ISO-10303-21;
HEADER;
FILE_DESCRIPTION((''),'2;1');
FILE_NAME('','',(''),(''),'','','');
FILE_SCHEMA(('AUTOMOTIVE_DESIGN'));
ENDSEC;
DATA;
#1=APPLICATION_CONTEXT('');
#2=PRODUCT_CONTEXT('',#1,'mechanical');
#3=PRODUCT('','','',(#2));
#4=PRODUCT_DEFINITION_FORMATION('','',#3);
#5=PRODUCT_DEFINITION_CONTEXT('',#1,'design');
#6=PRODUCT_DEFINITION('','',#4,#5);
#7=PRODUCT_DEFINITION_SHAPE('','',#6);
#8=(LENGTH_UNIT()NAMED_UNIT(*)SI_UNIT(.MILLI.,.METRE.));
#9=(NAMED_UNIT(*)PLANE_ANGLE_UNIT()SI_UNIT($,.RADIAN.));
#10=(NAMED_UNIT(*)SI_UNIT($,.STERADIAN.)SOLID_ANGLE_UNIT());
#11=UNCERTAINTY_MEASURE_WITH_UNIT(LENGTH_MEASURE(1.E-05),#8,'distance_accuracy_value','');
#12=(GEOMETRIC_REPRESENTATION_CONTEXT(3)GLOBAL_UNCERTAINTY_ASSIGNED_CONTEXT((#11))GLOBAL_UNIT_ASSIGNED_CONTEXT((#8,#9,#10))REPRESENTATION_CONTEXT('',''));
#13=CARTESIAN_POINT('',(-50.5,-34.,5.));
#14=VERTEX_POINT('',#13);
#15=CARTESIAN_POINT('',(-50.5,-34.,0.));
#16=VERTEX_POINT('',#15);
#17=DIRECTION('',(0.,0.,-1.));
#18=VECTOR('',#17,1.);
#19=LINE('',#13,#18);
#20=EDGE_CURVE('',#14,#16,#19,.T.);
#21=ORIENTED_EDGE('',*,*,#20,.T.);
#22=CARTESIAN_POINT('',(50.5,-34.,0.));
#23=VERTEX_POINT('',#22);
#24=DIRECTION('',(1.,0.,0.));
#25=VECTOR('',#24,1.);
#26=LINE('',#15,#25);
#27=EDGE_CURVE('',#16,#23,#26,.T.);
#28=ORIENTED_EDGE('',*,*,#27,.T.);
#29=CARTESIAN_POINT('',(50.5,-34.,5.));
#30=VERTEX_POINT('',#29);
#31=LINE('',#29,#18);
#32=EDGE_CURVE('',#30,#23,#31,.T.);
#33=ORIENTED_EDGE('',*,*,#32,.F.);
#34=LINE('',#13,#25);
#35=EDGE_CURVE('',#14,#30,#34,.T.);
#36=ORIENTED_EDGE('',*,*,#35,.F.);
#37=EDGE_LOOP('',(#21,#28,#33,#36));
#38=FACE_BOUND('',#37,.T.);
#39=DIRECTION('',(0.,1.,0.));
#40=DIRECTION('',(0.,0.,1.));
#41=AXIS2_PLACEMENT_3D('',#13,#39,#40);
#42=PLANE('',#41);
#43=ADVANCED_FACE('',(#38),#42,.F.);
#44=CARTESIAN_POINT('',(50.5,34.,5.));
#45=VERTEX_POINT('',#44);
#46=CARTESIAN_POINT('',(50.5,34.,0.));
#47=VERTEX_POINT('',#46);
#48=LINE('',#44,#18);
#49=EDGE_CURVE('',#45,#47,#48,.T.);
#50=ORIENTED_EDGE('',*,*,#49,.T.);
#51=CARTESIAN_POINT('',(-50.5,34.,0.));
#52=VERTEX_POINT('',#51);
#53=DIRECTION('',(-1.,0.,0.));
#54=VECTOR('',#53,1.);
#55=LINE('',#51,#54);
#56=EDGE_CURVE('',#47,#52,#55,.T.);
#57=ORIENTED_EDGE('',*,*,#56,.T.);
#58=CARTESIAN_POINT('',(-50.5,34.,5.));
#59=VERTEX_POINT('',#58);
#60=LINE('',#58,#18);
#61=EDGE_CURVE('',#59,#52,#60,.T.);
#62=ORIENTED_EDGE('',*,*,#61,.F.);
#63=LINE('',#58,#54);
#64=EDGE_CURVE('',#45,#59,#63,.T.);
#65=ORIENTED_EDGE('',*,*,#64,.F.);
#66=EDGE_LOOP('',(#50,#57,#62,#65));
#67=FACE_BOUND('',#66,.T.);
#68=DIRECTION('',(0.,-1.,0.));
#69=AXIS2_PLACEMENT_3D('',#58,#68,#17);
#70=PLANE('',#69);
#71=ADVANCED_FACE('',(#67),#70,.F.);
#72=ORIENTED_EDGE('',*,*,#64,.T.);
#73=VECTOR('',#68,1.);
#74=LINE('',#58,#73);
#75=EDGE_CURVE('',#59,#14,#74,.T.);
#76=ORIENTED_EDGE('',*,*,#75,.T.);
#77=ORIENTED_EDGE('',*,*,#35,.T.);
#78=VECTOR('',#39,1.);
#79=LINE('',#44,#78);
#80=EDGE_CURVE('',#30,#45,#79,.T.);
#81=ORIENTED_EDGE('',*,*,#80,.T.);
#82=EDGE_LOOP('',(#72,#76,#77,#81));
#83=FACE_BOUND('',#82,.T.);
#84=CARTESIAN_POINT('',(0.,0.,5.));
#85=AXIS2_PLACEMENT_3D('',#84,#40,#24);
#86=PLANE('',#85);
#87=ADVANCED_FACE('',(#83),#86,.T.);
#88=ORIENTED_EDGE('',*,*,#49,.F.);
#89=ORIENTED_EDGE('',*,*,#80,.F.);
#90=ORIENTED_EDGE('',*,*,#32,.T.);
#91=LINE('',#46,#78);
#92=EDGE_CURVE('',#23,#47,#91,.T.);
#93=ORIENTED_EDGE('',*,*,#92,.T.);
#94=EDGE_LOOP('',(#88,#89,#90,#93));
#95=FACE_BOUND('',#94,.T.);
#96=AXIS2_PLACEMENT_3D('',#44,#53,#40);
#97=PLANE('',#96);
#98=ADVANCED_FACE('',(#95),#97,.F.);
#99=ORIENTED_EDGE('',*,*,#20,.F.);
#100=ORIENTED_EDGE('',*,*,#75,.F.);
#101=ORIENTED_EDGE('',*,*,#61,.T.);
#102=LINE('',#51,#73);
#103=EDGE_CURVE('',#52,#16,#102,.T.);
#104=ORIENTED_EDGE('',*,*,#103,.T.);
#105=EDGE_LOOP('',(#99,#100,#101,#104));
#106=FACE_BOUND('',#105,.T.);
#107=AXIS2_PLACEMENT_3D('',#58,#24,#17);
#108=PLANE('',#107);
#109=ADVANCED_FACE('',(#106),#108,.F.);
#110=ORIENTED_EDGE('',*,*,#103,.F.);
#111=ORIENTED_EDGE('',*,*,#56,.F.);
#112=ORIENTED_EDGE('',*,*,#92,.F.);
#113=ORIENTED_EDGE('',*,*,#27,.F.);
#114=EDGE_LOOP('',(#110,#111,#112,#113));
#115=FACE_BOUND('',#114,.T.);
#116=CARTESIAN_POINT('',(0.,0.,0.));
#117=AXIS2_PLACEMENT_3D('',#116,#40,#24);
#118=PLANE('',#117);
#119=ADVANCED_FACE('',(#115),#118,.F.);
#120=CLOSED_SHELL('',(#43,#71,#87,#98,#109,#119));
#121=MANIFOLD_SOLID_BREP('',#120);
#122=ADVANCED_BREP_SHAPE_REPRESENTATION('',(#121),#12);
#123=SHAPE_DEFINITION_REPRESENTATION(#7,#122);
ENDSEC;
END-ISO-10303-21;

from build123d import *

# Parameters (mm, degrees)
SKETCH_1_W      = 101
SKETCH_1_H      = 68
EXTRUDE_1_DEPTH = 5


with BuildPart() as part:
    # 草图1 → 凸台-拉伸1 (new body)
    with BuildSketch(Plane.XY):
        Rectangle(SKETCH_1_W, SKETCH_1_H)
    extrude(amount=EXTRUDE_1_DEPTH)


solid = part.part
